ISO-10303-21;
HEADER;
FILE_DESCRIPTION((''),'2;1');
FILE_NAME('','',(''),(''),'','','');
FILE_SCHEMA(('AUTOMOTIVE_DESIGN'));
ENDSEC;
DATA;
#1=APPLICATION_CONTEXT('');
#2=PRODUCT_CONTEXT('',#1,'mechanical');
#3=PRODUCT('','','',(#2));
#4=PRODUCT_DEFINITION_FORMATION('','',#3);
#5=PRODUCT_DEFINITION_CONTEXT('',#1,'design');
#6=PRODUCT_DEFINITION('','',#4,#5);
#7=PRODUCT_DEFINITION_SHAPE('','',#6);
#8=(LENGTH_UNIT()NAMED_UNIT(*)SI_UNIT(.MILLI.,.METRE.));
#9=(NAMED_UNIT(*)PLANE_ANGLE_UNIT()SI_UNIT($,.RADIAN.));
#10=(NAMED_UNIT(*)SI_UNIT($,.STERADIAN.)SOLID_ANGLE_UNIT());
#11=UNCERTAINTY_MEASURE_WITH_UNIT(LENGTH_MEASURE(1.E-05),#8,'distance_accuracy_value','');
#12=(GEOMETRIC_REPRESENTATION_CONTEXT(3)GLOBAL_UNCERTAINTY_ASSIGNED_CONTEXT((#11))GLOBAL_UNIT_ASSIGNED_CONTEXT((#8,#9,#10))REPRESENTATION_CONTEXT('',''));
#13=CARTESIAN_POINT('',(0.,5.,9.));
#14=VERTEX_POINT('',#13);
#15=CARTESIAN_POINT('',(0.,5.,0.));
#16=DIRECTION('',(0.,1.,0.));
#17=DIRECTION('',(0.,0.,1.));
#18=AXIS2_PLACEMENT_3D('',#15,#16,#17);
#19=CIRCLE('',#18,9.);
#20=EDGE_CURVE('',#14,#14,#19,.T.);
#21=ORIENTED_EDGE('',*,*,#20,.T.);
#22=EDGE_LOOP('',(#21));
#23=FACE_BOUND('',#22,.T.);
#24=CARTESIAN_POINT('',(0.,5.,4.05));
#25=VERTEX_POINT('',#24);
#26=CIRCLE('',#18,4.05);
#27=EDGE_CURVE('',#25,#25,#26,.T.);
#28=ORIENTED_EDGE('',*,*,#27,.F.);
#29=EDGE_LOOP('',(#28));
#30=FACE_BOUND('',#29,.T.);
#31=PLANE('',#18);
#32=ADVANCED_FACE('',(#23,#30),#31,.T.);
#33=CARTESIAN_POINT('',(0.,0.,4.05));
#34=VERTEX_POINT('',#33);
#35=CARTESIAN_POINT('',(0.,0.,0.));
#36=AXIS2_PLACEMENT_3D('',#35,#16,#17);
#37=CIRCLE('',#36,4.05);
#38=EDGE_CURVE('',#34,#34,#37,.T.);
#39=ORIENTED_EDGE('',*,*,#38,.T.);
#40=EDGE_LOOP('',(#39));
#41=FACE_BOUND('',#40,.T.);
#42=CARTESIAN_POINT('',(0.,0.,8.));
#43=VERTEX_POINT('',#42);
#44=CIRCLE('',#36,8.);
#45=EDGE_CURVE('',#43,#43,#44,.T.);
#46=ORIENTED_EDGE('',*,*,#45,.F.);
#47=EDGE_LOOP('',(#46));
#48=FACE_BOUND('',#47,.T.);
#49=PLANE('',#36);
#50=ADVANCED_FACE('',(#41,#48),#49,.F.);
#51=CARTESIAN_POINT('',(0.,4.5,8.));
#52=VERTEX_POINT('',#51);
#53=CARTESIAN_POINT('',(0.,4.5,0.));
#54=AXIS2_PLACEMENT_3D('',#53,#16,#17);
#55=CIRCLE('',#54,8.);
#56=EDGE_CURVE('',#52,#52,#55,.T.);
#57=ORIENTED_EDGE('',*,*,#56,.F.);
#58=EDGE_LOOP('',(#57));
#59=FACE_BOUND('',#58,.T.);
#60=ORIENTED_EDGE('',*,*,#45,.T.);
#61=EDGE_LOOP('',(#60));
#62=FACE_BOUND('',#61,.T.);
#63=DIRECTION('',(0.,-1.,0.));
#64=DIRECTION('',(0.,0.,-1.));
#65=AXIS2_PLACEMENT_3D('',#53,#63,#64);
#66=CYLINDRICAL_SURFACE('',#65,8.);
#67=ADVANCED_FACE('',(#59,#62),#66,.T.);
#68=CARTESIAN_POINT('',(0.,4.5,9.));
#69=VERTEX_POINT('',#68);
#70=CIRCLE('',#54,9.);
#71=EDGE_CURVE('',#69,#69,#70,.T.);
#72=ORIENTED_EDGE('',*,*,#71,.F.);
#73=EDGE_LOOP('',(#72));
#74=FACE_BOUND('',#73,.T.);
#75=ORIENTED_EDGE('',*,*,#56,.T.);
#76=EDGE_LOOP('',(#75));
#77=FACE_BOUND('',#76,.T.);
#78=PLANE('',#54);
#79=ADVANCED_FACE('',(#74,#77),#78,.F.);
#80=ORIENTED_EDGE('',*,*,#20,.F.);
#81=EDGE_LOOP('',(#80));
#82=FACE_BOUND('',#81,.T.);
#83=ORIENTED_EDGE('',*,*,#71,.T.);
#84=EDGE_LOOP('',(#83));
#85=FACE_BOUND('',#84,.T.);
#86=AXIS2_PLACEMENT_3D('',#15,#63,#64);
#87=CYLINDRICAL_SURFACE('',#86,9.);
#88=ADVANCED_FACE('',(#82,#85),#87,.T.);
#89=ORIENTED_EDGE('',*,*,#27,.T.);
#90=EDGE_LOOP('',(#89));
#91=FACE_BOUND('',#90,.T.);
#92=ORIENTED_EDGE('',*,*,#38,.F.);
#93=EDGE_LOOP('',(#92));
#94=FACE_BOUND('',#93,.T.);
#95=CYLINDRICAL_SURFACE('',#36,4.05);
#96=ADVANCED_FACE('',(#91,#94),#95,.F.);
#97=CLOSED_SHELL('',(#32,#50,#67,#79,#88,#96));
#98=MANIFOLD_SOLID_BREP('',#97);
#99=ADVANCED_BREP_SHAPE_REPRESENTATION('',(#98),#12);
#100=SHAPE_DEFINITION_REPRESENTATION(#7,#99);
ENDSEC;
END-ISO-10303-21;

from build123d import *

# Parameters (mm, degrees)
SKETCH1_R           = 8
BOSS_EXTRUDE1_DEPTH = 4.5
SKETCH2_R           = 9
BOSS_EXTRUDE2_DEPTH = 0.5
SKETCH3_R           = 4.05
CUT_EXTRUDE1_DEPTH  = 6


with BuildPart() as part:
    # Sketch1 → Boss-Extrude1 (new body)
    with BuildSketch(Plane(origin=(0, 0, 0), x_dir=(1, 0, 0), z_dir=(0, 1, 0))):
        Circle(SKETCH1_R)
    extrude(amount=BOSS_EXTRUDE1_DEPTH)

    # Sketch2 → Boss-Extrude2 (add)
    with BuildSketch(Plane(origin=(0, 4.5, 0), x_dir=(1, 0, 0), z_dir=(0, 1, 0))):
        Circle(SKETCH2_R)
    extrude(amount=BOSS_EXTRUDE2_DEPTH)

    # Sketch3 → Cut-Extrude1 (cut, through all)
    with BuildSketch(Plane(origin=(0, 5, 0), x_dir=(1, 0, 0), z_dir=(0, 1, 0))):
        Circle(SKETCH3_R)
    extrude(amount=-CUT_EXTRUDE1_DEPTH, mode=Mode.SUBTRACT)


solid = part.part
